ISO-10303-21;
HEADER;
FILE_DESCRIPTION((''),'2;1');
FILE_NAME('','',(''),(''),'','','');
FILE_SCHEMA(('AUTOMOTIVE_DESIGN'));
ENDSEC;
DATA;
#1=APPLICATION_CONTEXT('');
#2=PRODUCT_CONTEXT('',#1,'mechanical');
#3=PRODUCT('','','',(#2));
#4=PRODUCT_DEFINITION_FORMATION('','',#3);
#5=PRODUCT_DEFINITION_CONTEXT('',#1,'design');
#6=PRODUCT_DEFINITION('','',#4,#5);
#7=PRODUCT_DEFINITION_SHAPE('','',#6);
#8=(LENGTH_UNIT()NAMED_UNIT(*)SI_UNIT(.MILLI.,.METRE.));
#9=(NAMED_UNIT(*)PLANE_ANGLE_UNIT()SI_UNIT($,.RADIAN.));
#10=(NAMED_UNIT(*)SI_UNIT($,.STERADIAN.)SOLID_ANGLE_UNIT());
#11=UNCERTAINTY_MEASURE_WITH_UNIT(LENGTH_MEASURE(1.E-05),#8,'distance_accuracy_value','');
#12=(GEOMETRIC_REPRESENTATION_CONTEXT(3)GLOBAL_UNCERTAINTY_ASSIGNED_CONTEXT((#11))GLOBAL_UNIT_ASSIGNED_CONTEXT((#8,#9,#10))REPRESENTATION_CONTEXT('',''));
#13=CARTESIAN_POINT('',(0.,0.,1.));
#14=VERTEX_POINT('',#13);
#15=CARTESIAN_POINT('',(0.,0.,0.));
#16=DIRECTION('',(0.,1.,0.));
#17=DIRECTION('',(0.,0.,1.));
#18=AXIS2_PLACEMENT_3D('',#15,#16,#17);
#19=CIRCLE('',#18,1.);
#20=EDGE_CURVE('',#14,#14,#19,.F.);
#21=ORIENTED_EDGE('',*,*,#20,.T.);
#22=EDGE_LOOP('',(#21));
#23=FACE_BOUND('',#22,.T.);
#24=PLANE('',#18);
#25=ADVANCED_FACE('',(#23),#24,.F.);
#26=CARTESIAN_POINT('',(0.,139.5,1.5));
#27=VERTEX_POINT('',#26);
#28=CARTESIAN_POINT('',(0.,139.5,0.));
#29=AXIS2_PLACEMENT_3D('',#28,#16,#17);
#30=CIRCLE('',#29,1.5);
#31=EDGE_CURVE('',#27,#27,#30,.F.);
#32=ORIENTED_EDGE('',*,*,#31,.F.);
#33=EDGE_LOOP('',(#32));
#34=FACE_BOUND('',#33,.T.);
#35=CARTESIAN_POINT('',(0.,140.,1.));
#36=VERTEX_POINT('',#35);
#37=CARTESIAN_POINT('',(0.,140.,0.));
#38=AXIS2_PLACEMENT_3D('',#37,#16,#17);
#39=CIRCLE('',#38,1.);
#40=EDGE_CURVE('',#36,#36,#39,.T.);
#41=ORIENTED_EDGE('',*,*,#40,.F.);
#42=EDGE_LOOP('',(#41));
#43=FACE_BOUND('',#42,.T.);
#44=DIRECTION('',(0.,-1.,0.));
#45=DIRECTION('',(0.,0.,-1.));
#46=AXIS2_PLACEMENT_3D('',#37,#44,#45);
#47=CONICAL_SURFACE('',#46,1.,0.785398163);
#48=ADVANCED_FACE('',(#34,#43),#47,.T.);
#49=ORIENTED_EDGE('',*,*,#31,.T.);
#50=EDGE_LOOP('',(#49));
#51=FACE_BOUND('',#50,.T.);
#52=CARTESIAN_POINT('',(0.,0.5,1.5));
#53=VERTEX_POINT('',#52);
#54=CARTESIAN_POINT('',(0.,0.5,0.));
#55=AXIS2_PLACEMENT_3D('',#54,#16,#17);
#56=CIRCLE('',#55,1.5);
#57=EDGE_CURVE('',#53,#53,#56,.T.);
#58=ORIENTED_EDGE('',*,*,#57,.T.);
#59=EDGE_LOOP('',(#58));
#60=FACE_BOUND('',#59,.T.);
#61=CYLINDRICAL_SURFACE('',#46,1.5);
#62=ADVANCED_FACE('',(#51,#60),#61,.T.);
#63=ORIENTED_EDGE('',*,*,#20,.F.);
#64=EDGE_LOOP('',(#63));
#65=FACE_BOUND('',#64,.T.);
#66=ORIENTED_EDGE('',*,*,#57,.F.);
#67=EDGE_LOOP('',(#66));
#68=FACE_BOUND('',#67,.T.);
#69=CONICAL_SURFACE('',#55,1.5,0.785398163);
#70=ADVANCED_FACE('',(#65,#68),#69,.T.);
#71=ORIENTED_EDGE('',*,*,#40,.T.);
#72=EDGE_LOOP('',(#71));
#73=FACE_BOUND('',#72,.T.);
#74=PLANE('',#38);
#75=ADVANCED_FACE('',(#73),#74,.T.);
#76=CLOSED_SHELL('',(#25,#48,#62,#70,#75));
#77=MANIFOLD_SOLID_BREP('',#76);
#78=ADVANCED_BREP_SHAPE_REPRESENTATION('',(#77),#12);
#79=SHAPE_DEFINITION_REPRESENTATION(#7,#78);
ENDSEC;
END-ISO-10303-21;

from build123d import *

# Parameters (mm, degrees)
CROQUIS1_R              = 1.5
SALIENTE_EXTRUIR1_DEPTH = 140
CHAFL_N1_SIZE           = 0.5


with BuildPart() as part:
    # Croquis1 → Saliente-Extruir1 (new body)
    with BuildSketch(Plane(origin=(0, 0, 0), x_dir=(1, 0, 0), z_dir=(0, 1, 0))):
        Circle(CROQUIS1_R)
    extrude(amount=SALIENTE_EXTRUIR1_DEPTH)

    # Chaflán1
    chafl_n1_edges = [part.edges().sort_by_distance(p)[0] for p in [
        (-1.5, 0, 0),
        (-1.5, 140, 0),
    ]]
    chamfer(chafl_n1_edges, length=CHAFL_N1_SIZE)


solid = part.part
